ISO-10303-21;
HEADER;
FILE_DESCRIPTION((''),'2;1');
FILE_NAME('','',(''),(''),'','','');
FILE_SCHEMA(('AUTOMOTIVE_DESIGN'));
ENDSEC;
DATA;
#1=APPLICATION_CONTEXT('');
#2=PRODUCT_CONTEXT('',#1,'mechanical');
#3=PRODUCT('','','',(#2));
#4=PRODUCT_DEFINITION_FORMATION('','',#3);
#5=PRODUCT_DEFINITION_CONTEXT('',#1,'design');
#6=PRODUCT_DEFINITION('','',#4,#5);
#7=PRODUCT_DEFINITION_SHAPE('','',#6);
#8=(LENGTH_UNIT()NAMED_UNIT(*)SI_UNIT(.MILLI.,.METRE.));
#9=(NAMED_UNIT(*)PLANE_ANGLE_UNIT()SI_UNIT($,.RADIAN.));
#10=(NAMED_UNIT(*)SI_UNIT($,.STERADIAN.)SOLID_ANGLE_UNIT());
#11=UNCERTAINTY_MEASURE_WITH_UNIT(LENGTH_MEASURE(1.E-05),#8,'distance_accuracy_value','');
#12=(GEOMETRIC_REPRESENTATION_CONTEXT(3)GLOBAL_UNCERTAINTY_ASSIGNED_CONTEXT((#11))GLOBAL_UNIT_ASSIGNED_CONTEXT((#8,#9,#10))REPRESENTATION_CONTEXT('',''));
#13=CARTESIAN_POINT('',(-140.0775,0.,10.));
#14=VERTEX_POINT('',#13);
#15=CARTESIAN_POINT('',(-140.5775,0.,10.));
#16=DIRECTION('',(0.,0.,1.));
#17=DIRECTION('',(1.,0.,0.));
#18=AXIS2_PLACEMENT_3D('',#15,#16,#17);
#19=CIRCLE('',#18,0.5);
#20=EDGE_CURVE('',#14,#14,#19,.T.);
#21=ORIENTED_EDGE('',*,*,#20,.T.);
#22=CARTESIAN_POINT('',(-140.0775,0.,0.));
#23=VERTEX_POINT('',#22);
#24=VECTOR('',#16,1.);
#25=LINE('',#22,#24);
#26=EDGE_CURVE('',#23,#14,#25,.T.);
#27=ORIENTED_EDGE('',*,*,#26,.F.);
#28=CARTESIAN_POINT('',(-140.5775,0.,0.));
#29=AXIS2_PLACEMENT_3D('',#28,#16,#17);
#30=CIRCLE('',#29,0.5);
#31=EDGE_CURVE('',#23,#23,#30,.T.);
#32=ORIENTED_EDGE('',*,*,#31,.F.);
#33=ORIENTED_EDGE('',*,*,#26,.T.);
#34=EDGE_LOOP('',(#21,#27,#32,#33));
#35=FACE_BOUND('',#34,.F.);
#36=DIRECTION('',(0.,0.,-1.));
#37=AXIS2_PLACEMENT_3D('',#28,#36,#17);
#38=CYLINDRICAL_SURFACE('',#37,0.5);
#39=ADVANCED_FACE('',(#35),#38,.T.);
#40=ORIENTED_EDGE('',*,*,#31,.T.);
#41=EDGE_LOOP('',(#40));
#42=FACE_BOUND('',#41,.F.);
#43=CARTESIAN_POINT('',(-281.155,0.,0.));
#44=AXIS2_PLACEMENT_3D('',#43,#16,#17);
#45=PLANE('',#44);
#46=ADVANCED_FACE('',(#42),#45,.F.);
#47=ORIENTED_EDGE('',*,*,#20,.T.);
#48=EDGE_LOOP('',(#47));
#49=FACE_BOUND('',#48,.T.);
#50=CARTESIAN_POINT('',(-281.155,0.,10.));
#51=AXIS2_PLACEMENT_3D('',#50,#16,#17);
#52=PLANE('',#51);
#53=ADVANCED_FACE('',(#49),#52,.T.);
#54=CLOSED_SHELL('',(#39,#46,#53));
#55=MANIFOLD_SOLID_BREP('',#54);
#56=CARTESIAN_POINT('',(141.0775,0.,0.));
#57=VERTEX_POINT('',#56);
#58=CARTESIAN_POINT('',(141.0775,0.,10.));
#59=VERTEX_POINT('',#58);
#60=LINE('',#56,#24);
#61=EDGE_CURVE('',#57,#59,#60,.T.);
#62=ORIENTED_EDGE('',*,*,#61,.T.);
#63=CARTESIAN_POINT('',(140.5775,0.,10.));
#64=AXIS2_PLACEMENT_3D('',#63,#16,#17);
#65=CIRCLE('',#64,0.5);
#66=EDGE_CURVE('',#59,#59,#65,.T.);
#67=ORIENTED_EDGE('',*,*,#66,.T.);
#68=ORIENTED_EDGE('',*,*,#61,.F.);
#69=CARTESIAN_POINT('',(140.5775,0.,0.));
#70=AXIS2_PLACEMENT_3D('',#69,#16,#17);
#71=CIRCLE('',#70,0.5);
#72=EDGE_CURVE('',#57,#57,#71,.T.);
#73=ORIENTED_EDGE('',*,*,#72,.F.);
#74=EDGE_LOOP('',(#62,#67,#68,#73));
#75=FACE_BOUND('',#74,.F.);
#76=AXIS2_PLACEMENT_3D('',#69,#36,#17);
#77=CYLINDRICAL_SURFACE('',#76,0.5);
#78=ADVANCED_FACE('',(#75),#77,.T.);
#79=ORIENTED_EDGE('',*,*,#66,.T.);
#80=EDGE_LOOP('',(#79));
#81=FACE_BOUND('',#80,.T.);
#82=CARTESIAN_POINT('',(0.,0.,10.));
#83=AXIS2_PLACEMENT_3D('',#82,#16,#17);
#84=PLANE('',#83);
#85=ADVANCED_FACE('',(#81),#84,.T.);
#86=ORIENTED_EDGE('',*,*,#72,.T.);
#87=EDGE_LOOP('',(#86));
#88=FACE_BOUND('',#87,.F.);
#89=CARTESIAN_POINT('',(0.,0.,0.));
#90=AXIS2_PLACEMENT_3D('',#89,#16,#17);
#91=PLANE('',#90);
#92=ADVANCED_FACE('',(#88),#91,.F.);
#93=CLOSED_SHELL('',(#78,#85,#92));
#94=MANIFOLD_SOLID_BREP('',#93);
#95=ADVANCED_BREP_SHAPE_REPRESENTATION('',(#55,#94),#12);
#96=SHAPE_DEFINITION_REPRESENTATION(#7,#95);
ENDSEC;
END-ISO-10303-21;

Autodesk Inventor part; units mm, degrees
ref_plane "YZ Plane" through (0, 0, 0) normal (1, 0, 0) x (0, 1, 0)
ref_plane "XZ Plane" through (0, 0, 0) normal (0, 1, 0) x (-1, 0, 0)
ref_plane "XY Plane" through (0, 0, 0) normal (0, 0, 1) x (1, 0, 0)
sketch "Sketch1" plane through (0, 0, 0) normal (0, 0, 1) x (1, 0, 0)
  line L0 (-200.5775, -9.75) -> (200.5775, -9.75)
  line L1 (200.5775, -9.75) -> (200.5775, 9.75)
  line L2 (200.5775, 9.75) -> (-200.5775, 9.75)
  line L3 (-200.5775, 9.75) -> (-200.5775, -9.75)
  line L4 (-200.5775, -9.75) -> (200.5775, 9.75) construction
  line L5 (200.5775, -9.75) -> (-200.5775, 9.75) construction
  point P0 (0, 0)
  dimension "d0" = 401.155
  dimension "d1" = 19.5
sketch "Lamello" plane through (0, 0, 0) normal (0, 0, 1) x (1, 0, 0)
  line L0 (48.383, 141.1858) -> (42.783, 141.1858)
  line L1 (40.583, 139.6858) -> (40.583, 114.6858)
  line L2 (42.783, 113.1858) -> (48.383, 113.1858)
  line L3 (50.583, 114.6858) -> (50.583, 139.6858)
  line L4 (50.583, 139.6858) -> (48.383, 141.1858)
  line L5 (40.583, 139.6858) -> (42.783, 141.1858)
  line L6 (40.583, 114.6858) -> (42.783, 113.1858)
  line L7 (50.583, 114.6858) -> (48.383, 113.1858)
  line L8 (50.583, 127.1858) -> (40.583, 127.1858)
  line L9 (45.583, 141.1858) -> (45.583, 113.1858)
  point P0 (45.583, 127.1858)
  point P1 (50.583, 141.1858)
  point P2 (40.583, 113.1858)
  point P3 (40.583, 141.1858)
  point P4 (50.583, 113.1858)
  dimension "d54" = 10
  dimension "d55" = 28
  dimension "d56" = 1.5
  dimension "d57" = 2.2
  dimension "d58" = 1.5
  dimension "d59" = 2.2
  dimension "d60" = 1.5
  dimension "d61" = 2.2
  dimension "d62" = 1.5
  dimension "d63" = 2.2
sketch "Sketch2" plane through (0, 0, 0) normal (0, 0, 1) x (1, 0, 0)
  circle A0 centre (140.5775, 0) radius 0.5
  line L0 (200.5775, 9.75) -> (-200.5775, 9.75) projected
  line L1 (-200.5775, -9.75) -> (200.5775, -9.75) projected
  line L2 (0, -131.2) -> (0, 80.2) projected
  line L3 (200.5775, -9.75) -> (200.5775, 9.75) projected
  point P0 (0, 0)
  dimension "d4" = 1
  dimension "d50" = 9.75
  dimension "d70" = 60
extrude "Extrusion1" add sketch "Sketch2" along normal blind 10 contours A0
pattern_linear "Clamex Array" count 2 spacing 281.155 along (-1, 0, 0) of "Extrusion1"
sketch "Edge-Side Connection" plane through (0, 0, 0) normal (1, 0, 0) x (0, 1, 0)
  line L0 (-50, 0) -> (50, 0)
  line L1 (50, 0) -> (50, 19)
  line L2 (50, 19) -> (-50, 19)
  line L3 (-50, 19) -> (-50, 0)
  line L4 (-9.75, 0) -> (-9.75, -40)
  line L5 (-9.75, -40) -> (9.75, -40)
  line L6 (9.75, -40) -> (9.75, 0)
  line L7 (0, -14) -> (0, 14) construction
  line L8 (9.75, 0) -> (5, 0)
  line L9 (-5, -12.5) -> (-9.75, -12.5)
  point P0 (0, 0)
  point P1 (9.75, 0)
  point P2 (0, 0)
  dimension "d26" = 100
  dimension "d27" = 19
  dimension "d28" = 40
  dimension "OtherSideRefYCoordinate" = 9.75
  dimension "ReferenceCoord" = 9.75
  dimension "d49" = 90
sketch "Edge-Edge Connection" plane through (0, 0, 0) normal (1, 0, 0) x (0, 1, 0)
  line L0 (-101, 19) -> (19, 19)
  line L1 (19, 19) -> (0, 0)
  line L2 (0, 0) -> (-101, 0)
  line L3 (-101, 0) -> (-101, 19)
  line L4 (19, 19) -> (19, -101)
  line L5 (0, 0) -> (0, -101)
  line L6 (0, -101) -> (19, -101)
  line L7 (1.28, 1.28) -> (0, 0)
  line L8 (-0.4878, 17.1899) -> (-0.4878, 19)
  point P0 (4.8155, 4.8155)
  dimension "d51" = 19
  dimension "d53" = 19
  dimension "EdgeEdgeReferenceCoord" = 6.8101
  dimension "d65" = 90
  dimension "d66" = 120
  dimension "d67" = 120
  dimension "EdgeEdgeOtherSideRefYCoordinate" = 20.0599
equation "\"d9\" = Step"
equation "\"d27\" = NestleBoardT"
equation "\"d0\" = ContactPatchWidth"
equation "\"d1\" = ContactPatchHeight"
equation "\"ContactPatchWidth\" = 401.155"
equation "\"ContactPatchHeight\" = 19.5"
equation "\"PlacingWidth\" = 281.155"
equation "\"MinDistBetween\" = 96"
equation "\"Step\" = 281.155"
equation "\"Y_Coord\" = 9.75"
equation "\"NestleBoardT\" = 19"
equation "\"PillarBoardT\" = 19"
equation "\"AngleForYPositionCalc\" = 90deg"
equation "\"ConnectionAngle\" = 90deg"
equation "\"ShiftY\" = 0"
properties part number "Clamex Joint11100"
